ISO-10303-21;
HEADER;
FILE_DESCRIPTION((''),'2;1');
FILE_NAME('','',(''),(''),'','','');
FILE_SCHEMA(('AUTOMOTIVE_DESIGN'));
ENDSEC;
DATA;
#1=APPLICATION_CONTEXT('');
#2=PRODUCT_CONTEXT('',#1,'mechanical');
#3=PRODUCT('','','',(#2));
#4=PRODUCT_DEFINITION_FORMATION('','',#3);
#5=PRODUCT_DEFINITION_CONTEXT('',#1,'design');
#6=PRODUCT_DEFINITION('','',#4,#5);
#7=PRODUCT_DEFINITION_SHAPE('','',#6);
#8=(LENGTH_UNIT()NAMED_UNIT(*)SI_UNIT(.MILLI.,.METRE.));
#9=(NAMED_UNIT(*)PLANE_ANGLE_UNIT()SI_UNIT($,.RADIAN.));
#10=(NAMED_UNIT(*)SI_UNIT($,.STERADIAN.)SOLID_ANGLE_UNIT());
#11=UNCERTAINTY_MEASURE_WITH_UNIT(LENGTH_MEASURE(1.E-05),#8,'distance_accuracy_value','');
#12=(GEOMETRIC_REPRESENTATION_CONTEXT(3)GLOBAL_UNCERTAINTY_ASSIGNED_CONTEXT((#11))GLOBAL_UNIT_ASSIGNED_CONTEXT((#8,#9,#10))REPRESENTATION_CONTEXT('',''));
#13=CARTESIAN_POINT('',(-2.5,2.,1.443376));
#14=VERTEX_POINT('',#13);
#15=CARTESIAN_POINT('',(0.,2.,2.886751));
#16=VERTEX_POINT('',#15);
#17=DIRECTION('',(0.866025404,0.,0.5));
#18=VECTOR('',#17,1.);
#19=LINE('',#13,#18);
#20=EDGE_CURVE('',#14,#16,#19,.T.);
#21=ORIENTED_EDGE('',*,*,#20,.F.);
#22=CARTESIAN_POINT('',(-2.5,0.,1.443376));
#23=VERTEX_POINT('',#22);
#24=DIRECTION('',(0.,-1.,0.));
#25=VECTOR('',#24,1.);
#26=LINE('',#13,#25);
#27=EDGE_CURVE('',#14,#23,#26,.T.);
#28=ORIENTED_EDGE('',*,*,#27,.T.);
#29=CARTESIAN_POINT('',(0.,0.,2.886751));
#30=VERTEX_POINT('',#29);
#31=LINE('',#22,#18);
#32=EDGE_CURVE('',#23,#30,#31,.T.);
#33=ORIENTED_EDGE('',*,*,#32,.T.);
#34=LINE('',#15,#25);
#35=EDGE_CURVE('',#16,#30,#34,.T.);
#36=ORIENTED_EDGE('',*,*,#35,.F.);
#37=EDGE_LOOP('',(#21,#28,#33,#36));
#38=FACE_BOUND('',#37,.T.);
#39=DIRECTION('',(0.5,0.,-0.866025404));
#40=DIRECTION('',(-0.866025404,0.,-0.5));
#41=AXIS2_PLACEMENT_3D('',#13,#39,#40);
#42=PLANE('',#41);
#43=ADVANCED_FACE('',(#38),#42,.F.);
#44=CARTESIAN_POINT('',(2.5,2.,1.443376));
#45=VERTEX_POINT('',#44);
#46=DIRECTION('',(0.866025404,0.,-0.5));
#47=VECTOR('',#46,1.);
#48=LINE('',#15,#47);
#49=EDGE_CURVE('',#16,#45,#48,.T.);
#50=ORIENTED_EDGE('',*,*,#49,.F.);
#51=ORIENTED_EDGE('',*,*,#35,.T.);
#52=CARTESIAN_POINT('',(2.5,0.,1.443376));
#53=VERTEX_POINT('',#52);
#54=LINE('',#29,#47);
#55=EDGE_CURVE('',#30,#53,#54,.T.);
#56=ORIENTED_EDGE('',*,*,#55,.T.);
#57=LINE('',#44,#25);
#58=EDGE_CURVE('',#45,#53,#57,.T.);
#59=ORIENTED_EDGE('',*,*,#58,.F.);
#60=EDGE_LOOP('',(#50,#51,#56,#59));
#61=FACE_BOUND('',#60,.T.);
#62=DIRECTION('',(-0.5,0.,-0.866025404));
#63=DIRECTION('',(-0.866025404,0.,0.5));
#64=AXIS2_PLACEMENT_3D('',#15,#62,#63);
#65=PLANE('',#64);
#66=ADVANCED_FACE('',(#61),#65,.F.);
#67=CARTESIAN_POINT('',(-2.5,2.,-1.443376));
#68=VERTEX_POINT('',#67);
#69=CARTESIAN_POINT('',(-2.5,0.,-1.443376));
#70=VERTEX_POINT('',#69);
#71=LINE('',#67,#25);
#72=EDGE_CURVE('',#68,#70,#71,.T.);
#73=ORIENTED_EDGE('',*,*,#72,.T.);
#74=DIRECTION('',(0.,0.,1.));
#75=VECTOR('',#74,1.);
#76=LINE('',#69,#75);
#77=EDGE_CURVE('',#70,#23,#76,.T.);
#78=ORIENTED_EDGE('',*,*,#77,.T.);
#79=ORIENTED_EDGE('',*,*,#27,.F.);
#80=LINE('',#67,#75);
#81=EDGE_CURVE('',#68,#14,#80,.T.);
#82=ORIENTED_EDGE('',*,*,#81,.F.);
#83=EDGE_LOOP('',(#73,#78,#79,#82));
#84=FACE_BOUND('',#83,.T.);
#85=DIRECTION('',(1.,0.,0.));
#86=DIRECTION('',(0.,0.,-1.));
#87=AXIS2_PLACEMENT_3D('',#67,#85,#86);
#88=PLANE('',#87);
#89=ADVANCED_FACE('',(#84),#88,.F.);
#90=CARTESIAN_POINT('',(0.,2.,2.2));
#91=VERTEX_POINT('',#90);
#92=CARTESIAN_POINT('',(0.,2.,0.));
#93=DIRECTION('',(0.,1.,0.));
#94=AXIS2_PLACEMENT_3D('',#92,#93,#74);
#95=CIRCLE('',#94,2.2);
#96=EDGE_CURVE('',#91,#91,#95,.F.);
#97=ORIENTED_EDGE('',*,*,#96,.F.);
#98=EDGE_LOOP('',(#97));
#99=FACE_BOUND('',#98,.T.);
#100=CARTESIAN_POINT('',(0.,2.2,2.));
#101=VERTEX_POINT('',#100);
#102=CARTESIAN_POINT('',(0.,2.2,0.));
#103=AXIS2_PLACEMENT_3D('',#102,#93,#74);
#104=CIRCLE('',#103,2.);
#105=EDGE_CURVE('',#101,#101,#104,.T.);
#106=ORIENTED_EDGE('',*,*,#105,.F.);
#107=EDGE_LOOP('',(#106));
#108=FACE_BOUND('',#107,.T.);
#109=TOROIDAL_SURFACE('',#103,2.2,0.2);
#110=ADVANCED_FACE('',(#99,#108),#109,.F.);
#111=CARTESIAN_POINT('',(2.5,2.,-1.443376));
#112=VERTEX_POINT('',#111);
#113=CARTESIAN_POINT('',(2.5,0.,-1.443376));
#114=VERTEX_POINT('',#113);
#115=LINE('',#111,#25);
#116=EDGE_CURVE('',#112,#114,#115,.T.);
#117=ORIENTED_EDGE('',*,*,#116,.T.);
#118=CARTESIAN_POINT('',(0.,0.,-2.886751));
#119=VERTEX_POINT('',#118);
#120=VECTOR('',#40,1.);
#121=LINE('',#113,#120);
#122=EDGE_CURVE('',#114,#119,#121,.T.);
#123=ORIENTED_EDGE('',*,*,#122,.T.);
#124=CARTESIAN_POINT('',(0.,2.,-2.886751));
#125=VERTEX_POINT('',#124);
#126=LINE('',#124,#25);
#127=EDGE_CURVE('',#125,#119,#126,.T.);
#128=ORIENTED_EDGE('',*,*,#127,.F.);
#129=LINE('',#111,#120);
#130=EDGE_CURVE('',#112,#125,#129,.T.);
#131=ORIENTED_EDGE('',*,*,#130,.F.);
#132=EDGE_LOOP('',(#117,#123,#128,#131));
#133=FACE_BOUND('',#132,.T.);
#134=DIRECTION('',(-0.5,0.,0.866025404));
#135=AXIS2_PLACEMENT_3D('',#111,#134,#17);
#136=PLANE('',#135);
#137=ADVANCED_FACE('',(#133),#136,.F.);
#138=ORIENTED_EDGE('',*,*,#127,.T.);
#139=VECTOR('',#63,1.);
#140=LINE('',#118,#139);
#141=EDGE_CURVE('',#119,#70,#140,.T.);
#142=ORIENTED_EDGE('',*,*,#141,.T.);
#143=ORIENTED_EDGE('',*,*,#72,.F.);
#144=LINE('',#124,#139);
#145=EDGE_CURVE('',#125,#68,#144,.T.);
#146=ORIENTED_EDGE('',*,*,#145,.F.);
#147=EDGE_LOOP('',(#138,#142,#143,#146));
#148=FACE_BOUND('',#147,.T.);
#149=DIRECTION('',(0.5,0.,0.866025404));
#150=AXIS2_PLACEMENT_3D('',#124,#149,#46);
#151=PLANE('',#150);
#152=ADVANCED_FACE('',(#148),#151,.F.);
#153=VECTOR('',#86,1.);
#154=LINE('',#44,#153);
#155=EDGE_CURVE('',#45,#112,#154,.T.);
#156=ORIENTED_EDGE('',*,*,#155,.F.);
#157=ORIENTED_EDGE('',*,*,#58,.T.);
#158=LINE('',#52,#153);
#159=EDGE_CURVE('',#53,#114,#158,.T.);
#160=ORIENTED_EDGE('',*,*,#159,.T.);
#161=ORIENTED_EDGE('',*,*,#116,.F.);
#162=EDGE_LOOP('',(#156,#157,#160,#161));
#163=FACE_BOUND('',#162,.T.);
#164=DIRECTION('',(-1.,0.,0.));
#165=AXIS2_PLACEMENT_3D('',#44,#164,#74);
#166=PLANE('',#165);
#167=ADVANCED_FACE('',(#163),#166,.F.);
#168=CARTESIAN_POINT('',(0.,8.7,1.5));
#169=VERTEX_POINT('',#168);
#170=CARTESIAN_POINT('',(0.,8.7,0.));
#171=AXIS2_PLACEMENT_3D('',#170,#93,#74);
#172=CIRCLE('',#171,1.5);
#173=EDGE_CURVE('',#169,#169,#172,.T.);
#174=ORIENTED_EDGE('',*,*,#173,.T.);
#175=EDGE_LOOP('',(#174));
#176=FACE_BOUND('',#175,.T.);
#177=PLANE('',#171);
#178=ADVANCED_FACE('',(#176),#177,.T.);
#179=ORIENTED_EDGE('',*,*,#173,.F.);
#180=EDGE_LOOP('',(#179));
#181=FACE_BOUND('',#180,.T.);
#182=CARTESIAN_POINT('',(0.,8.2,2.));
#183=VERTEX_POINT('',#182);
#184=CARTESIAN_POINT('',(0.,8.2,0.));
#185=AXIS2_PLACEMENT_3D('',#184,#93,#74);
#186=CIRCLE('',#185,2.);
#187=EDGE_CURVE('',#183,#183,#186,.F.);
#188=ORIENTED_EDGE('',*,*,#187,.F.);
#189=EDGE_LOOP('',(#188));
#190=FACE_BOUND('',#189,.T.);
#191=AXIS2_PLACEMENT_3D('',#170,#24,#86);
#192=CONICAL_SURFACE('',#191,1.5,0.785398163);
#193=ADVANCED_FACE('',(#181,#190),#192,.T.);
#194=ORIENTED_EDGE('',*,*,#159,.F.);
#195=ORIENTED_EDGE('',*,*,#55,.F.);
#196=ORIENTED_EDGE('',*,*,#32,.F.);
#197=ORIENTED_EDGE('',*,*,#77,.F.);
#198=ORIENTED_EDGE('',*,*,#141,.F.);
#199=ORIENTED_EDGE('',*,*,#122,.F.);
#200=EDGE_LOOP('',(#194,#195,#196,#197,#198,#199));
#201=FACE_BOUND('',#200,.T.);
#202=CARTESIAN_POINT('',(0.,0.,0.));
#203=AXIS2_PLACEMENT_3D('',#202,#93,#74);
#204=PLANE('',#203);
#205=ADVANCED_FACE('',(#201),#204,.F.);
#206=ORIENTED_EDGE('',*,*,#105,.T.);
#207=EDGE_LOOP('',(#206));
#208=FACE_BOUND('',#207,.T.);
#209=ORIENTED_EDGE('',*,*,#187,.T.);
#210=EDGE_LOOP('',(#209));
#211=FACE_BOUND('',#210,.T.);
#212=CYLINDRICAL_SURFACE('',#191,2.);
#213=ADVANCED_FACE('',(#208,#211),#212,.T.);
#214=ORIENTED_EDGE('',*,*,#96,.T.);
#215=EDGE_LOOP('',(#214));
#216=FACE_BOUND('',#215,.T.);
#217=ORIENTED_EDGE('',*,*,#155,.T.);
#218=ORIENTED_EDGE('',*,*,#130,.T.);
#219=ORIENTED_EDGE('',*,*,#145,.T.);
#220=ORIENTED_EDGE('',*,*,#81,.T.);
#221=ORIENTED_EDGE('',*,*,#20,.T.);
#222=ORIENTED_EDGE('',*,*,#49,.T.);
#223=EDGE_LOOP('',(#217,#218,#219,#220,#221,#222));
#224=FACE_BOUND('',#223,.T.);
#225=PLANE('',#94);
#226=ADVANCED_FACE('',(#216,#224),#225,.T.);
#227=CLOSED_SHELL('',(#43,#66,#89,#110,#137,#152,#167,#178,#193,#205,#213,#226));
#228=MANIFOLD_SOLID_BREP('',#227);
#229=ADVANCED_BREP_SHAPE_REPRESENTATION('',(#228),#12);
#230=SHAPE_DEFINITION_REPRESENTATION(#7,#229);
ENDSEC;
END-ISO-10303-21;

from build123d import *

# Parameters (mm, degrees)
BOSS_EXTRUDE1_DEPTH = 2
SKETCH2_R           = 2
BOSS_EXTRUDE2_DEPTH = 6.7
CHAMFER1_SIZE       = 0.5
FILLET1_R           = 0.2


with BuildPart() as part:
    # Sketch1 → Boss-Extrude1 (new body)
    with BuildSketch(Plane(origin=(0, 0, 0), x_dir=(1, 0, 0), z_dir=(0, 1, 0))):
        Polygon((0, 2.886751346), (-2.5, 1.443375673), (-2.5, -1.443375673), (0, -2.886751346), (2.5, -1.443375673), (2.5, 1.443375673), align=None)
    extrude(amount=BOSS_EXTRUDE1_DEPTH)

    # Sketch2 → Boss-Extrude2 (add)
    with BuildSketch(Plane(origin=(0, 2, 0), x_dir=(1, 0, 0), z_dir=(0, 1, 0))):
        Circle(SKETCH2_R)
    extrude(amount=BOSS_EXTRUDE2_DEPTH)

    # Chamfer1
    chamfer1_edges = [part.edges().sort_by_distance(p)[0] for p in [
        (-2, 8.7, 0),
    ]]
    chamfer(chamfer1_edges, length=CHAMFER1_SIZE)

    # Fillet1
    fillet1_edges = [part.edges().sort_by_distance(p)[0] for p in [
        (-2, 2, 0),
    ]]
    fillet(fillet1_edges, radius=FILLET1_R)


solid = part.part
